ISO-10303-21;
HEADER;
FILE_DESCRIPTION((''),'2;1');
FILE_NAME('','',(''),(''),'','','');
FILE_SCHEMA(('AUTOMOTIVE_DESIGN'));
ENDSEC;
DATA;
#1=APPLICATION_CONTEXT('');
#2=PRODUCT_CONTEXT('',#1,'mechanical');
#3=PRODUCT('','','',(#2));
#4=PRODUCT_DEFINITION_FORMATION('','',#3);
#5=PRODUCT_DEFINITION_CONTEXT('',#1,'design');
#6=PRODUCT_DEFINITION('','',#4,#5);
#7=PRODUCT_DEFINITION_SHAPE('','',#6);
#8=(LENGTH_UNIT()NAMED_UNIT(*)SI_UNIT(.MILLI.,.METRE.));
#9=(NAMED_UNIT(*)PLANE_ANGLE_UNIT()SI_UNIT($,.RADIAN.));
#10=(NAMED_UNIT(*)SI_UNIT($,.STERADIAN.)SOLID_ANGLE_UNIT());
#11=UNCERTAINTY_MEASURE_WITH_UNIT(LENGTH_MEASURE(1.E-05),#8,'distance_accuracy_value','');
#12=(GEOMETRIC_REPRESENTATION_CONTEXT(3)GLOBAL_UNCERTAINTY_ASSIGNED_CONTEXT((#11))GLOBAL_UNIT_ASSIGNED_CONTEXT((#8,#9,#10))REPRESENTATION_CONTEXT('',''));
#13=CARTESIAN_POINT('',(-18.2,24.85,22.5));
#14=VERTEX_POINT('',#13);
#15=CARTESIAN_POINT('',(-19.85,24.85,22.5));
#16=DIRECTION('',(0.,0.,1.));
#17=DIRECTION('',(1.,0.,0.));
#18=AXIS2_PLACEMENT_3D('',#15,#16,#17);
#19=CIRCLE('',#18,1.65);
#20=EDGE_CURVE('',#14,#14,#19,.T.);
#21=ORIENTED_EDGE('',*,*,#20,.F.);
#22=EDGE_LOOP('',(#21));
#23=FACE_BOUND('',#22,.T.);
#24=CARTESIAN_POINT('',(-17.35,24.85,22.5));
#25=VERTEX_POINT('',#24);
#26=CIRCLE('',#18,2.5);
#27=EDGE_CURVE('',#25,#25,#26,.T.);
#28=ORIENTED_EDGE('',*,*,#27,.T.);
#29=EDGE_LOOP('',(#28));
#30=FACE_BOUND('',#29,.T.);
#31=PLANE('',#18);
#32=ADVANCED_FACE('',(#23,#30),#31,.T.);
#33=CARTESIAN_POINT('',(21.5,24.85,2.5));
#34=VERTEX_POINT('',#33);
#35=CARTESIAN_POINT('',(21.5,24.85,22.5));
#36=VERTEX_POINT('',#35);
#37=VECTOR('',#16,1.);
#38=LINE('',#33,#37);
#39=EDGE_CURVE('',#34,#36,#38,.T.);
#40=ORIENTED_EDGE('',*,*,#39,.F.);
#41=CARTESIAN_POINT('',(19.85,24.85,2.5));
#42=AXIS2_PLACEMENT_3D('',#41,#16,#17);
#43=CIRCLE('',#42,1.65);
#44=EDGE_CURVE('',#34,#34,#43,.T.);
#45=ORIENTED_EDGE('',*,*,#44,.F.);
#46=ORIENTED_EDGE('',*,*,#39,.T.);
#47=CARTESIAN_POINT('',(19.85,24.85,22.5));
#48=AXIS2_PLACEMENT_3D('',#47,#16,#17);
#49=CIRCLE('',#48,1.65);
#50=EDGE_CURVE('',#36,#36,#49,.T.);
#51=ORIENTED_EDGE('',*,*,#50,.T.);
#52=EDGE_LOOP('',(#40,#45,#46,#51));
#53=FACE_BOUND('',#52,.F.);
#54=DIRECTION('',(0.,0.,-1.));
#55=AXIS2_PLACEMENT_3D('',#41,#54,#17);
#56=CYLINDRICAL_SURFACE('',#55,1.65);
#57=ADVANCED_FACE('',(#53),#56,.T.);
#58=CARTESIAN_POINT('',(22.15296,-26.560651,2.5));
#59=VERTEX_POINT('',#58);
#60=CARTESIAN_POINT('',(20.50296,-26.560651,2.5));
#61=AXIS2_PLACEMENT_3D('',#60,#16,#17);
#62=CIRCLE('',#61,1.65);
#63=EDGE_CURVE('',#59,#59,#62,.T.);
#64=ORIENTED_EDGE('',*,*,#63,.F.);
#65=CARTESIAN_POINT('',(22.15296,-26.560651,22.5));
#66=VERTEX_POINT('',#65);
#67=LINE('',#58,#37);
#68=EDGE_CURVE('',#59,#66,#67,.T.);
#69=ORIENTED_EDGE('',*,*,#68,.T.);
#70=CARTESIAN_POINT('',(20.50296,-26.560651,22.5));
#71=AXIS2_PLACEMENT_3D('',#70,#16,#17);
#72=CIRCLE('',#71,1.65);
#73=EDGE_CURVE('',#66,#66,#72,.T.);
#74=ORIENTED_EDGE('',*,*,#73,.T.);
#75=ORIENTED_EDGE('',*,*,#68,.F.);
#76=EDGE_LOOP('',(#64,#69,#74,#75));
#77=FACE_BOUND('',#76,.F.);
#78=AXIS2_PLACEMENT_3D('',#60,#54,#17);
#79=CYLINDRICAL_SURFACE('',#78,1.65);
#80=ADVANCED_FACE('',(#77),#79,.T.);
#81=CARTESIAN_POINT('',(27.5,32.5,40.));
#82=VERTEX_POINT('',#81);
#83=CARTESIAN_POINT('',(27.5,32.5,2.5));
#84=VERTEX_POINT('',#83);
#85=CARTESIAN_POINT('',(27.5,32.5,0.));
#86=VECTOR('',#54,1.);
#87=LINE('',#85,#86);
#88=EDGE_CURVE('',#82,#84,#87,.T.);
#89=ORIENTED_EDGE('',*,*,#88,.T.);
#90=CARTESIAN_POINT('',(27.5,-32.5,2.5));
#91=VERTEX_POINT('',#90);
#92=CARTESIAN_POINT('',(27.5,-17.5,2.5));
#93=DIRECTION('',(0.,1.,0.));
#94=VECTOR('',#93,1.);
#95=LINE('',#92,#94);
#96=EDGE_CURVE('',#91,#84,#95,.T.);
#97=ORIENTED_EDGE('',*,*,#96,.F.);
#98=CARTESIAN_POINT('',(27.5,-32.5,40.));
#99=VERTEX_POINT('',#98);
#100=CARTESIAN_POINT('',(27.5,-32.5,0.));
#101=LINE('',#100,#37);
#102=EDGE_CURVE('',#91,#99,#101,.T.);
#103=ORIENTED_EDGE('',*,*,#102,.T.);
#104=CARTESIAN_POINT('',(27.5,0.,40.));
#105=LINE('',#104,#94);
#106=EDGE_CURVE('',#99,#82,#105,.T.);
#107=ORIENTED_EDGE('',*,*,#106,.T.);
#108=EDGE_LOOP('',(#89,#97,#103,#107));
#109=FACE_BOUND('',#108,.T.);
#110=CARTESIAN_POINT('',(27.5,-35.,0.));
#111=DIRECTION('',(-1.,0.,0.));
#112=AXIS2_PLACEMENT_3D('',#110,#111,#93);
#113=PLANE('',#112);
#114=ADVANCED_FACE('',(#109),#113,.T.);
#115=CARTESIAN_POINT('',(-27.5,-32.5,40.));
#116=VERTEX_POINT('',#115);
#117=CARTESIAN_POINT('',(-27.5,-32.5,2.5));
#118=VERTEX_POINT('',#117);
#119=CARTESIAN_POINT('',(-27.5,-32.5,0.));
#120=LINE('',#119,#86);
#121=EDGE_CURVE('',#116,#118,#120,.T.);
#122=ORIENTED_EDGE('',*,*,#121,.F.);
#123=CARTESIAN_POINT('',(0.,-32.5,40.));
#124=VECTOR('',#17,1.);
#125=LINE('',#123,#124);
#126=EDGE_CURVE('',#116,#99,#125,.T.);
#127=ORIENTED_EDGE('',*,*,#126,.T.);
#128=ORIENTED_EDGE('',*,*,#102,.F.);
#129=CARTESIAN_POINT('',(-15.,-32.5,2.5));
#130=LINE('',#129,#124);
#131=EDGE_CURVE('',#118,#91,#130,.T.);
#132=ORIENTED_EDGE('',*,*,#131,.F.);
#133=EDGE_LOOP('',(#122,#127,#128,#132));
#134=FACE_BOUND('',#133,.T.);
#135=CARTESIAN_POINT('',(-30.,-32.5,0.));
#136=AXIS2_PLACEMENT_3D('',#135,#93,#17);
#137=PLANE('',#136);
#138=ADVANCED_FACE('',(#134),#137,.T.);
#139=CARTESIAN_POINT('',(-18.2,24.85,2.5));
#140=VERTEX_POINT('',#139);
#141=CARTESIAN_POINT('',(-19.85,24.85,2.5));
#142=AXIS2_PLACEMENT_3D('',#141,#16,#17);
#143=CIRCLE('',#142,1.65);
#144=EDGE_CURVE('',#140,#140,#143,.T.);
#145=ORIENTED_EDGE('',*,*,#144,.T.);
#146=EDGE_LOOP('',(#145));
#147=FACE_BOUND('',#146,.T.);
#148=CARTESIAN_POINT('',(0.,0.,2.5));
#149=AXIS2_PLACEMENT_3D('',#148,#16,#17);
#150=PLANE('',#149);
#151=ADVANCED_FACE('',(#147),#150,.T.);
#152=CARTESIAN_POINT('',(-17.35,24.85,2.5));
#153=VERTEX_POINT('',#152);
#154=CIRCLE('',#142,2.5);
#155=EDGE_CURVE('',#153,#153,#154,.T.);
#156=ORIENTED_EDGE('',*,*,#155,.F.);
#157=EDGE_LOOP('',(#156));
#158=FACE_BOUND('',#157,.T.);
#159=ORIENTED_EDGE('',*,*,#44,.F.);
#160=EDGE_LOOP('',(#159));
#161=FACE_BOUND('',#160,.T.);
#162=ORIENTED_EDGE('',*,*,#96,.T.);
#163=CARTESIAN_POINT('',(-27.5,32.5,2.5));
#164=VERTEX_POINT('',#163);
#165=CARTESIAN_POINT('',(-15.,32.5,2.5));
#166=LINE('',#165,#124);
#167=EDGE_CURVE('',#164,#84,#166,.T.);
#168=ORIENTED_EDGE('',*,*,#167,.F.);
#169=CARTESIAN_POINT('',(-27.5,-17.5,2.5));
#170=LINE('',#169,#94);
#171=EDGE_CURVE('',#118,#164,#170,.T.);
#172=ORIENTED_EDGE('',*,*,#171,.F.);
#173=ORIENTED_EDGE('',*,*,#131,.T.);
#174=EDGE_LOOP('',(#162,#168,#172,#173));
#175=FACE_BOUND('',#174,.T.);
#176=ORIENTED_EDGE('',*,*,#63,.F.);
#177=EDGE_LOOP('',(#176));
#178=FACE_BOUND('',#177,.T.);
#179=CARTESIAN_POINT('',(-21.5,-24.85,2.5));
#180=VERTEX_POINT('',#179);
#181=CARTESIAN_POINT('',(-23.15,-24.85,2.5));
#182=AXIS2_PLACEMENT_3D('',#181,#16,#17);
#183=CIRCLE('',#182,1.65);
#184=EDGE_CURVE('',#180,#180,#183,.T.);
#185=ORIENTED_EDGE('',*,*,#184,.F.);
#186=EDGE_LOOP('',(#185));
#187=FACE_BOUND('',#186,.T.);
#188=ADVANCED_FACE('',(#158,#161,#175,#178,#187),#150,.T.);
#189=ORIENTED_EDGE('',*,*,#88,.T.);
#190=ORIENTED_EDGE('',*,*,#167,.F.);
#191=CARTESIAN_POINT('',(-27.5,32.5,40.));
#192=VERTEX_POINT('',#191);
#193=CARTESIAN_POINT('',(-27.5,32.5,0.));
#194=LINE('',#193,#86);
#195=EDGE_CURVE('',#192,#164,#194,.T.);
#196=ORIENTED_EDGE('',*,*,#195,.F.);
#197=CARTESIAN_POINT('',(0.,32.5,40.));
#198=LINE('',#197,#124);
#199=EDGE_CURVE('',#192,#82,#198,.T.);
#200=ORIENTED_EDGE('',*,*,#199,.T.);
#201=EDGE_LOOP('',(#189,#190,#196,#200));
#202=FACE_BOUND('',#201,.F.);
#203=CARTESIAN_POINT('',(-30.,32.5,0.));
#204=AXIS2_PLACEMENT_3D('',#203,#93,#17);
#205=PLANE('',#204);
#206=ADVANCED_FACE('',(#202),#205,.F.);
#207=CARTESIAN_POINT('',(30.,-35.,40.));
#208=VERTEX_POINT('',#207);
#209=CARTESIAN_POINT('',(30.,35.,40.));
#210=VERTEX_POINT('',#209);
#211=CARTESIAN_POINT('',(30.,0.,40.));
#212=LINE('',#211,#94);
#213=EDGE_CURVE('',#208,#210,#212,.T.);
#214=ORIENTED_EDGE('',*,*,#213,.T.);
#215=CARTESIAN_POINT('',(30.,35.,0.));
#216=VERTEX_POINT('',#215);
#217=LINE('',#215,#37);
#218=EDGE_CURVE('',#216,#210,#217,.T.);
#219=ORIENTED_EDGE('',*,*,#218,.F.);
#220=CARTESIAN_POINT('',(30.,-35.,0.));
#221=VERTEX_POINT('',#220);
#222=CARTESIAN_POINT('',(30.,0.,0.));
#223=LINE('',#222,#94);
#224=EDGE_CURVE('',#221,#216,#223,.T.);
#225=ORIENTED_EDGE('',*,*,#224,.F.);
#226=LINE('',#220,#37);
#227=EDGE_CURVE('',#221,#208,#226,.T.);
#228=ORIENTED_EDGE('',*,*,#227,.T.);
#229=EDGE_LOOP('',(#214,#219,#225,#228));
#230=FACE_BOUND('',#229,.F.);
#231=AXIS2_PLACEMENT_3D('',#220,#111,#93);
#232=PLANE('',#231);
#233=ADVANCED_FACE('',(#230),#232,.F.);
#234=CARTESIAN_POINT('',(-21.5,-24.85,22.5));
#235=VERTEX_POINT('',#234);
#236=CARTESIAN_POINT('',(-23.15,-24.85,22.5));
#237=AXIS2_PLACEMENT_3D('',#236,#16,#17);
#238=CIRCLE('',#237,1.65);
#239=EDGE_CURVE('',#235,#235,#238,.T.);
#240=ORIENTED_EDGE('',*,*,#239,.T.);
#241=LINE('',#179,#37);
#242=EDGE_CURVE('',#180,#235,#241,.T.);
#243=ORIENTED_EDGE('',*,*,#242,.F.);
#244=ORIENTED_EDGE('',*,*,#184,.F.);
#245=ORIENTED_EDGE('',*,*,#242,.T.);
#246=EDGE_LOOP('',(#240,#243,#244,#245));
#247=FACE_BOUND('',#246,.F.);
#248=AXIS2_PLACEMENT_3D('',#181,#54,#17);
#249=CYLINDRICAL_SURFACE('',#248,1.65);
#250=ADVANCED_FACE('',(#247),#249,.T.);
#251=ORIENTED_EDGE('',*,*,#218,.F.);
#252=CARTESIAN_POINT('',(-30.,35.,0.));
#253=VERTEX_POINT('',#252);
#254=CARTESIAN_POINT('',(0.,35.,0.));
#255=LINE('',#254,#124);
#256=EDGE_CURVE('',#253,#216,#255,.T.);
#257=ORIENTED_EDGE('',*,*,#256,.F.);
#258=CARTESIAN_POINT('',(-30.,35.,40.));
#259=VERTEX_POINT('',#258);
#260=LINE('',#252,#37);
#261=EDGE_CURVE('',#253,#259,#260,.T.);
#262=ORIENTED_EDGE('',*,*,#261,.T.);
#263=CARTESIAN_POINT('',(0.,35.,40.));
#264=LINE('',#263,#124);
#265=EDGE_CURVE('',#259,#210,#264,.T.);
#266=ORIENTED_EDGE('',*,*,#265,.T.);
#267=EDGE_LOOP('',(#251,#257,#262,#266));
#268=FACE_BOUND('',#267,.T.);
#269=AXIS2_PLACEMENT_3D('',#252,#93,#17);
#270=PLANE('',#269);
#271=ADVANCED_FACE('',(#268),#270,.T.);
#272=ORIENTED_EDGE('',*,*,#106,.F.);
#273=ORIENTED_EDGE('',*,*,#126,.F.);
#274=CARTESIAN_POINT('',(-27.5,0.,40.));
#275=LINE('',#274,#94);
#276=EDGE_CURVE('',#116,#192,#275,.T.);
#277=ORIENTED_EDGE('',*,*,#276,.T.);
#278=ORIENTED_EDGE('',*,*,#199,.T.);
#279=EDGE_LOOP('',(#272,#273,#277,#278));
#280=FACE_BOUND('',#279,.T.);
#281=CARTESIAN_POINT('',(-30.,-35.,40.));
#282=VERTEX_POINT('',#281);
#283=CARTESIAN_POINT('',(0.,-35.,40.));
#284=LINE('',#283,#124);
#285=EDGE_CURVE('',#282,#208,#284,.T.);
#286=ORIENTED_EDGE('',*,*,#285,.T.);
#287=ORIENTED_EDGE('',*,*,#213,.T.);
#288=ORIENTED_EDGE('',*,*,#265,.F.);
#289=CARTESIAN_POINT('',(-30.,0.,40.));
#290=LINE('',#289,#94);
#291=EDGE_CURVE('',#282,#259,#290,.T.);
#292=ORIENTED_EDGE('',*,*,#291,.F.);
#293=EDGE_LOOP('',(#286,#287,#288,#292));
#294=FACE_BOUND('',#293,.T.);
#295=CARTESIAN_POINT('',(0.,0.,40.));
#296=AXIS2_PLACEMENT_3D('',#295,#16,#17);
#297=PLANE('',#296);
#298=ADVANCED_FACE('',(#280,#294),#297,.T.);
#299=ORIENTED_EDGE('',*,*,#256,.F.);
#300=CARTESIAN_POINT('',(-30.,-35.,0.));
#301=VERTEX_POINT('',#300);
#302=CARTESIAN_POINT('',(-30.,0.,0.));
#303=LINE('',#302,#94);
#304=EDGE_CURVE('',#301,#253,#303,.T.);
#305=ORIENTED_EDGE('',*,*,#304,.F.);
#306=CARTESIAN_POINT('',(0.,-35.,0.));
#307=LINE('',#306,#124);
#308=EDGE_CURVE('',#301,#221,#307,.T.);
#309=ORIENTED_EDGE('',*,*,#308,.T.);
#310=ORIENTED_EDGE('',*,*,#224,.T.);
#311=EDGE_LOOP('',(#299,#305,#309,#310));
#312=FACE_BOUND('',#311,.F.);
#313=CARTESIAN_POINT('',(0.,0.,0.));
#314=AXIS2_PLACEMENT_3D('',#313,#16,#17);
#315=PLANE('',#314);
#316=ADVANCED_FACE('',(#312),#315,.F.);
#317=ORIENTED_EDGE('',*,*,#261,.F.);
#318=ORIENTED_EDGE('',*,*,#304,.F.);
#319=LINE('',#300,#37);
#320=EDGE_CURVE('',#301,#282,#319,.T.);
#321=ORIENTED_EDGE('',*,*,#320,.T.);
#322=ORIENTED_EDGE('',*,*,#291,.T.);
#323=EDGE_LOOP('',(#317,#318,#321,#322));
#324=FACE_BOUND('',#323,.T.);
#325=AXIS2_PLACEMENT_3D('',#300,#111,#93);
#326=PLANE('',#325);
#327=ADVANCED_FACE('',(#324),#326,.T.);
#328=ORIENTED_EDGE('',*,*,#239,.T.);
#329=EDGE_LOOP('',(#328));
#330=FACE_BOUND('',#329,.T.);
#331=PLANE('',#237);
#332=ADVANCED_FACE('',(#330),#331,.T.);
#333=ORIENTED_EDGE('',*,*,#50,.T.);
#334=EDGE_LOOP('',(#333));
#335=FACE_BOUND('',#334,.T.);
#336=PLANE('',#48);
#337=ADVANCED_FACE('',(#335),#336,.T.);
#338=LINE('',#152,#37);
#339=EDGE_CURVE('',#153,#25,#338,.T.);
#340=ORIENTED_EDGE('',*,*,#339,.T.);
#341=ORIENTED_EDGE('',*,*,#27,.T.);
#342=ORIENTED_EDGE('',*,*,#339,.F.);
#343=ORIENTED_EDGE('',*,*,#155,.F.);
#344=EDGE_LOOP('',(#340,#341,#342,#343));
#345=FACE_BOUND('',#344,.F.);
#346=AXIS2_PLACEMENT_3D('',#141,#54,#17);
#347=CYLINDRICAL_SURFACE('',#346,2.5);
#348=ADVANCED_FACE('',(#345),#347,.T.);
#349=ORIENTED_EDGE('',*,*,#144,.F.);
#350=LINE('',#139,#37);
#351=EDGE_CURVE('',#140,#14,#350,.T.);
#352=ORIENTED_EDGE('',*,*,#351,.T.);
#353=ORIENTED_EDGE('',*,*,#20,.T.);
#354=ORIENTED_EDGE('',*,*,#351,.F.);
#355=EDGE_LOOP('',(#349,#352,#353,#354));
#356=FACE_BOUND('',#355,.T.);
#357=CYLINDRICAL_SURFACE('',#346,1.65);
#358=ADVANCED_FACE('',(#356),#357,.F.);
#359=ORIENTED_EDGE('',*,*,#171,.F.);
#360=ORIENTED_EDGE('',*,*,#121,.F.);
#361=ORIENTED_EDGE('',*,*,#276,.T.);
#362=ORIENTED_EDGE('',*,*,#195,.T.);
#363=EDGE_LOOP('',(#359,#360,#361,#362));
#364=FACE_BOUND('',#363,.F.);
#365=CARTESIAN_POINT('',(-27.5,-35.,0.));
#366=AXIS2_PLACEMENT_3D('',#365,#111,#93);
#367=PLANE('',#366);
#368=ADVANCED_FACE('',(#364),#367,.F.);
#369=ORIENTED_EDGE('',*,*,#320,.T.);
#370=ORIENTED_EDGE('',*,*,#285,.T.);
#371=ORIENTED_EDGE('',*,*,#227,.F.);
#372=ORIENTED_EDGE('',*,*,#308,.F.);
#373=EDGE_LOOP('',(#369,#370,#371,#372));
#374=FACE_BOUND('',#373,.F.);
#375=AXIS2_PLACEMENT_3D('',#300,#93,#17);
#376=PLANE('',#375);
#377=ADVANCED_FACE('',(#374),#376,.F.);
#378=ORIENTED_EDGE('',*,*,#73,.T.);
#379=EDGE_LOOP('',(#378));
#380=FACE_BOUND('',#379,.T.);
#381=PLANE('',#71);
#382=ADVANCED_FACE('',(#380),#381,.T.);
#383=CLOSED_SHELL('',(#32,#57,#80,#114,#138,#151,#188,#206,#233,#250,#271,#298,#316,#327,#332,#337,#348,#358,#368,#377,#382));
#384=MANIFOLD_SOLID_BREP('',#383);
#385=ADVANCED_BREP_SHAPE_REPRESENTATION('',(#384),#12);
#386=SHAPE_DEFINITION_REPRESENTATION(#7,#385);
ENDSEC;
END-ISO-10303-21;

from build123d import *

# Parameters (mm, degrees)
F1_W     = 60
F1_H     = 70
F2_DEPTH = 40
F3_T     = -2.5
F4_R     = 1.65
F4_R_2   = 2.5
F5_DEPTH = 20


with BuildPart() as f2:
    # F1 (on Top) → F2 (new body)
    with BuildSketch(Plane.XY):
        Rectangle(F1_W, F1_H)
    extrude(amount=F2_DEPTH)

    # F3
    f3_openings = [f2.faces().sort_by_distance(p)[0] for p in [
        (0, 0, 40),
    ]]
    offset(amount=F3_T, openings=f3_openings)

    # F4 (on face) → F5 (join)
    with BuildSketch(Plane.XY.offset(2.5)):
        with Locations((-23.15, -24.85)):
            Circle(F4_R)
        with Locations((19.85, 24.85)):
            Circle(F4_R)
        with Locations((20.5029603094, -26.5606511384)):
            Circle(F4_R)
        with Locations((-19.85, 24.85)):
            Circle(F4_R_2)
        with Locations((-19.85, 24.85)):
            Circle(F4_R, mode=Mode.SUBTRACT)
    extrude(amount=F5_DEPTH)


solid = f2.part
